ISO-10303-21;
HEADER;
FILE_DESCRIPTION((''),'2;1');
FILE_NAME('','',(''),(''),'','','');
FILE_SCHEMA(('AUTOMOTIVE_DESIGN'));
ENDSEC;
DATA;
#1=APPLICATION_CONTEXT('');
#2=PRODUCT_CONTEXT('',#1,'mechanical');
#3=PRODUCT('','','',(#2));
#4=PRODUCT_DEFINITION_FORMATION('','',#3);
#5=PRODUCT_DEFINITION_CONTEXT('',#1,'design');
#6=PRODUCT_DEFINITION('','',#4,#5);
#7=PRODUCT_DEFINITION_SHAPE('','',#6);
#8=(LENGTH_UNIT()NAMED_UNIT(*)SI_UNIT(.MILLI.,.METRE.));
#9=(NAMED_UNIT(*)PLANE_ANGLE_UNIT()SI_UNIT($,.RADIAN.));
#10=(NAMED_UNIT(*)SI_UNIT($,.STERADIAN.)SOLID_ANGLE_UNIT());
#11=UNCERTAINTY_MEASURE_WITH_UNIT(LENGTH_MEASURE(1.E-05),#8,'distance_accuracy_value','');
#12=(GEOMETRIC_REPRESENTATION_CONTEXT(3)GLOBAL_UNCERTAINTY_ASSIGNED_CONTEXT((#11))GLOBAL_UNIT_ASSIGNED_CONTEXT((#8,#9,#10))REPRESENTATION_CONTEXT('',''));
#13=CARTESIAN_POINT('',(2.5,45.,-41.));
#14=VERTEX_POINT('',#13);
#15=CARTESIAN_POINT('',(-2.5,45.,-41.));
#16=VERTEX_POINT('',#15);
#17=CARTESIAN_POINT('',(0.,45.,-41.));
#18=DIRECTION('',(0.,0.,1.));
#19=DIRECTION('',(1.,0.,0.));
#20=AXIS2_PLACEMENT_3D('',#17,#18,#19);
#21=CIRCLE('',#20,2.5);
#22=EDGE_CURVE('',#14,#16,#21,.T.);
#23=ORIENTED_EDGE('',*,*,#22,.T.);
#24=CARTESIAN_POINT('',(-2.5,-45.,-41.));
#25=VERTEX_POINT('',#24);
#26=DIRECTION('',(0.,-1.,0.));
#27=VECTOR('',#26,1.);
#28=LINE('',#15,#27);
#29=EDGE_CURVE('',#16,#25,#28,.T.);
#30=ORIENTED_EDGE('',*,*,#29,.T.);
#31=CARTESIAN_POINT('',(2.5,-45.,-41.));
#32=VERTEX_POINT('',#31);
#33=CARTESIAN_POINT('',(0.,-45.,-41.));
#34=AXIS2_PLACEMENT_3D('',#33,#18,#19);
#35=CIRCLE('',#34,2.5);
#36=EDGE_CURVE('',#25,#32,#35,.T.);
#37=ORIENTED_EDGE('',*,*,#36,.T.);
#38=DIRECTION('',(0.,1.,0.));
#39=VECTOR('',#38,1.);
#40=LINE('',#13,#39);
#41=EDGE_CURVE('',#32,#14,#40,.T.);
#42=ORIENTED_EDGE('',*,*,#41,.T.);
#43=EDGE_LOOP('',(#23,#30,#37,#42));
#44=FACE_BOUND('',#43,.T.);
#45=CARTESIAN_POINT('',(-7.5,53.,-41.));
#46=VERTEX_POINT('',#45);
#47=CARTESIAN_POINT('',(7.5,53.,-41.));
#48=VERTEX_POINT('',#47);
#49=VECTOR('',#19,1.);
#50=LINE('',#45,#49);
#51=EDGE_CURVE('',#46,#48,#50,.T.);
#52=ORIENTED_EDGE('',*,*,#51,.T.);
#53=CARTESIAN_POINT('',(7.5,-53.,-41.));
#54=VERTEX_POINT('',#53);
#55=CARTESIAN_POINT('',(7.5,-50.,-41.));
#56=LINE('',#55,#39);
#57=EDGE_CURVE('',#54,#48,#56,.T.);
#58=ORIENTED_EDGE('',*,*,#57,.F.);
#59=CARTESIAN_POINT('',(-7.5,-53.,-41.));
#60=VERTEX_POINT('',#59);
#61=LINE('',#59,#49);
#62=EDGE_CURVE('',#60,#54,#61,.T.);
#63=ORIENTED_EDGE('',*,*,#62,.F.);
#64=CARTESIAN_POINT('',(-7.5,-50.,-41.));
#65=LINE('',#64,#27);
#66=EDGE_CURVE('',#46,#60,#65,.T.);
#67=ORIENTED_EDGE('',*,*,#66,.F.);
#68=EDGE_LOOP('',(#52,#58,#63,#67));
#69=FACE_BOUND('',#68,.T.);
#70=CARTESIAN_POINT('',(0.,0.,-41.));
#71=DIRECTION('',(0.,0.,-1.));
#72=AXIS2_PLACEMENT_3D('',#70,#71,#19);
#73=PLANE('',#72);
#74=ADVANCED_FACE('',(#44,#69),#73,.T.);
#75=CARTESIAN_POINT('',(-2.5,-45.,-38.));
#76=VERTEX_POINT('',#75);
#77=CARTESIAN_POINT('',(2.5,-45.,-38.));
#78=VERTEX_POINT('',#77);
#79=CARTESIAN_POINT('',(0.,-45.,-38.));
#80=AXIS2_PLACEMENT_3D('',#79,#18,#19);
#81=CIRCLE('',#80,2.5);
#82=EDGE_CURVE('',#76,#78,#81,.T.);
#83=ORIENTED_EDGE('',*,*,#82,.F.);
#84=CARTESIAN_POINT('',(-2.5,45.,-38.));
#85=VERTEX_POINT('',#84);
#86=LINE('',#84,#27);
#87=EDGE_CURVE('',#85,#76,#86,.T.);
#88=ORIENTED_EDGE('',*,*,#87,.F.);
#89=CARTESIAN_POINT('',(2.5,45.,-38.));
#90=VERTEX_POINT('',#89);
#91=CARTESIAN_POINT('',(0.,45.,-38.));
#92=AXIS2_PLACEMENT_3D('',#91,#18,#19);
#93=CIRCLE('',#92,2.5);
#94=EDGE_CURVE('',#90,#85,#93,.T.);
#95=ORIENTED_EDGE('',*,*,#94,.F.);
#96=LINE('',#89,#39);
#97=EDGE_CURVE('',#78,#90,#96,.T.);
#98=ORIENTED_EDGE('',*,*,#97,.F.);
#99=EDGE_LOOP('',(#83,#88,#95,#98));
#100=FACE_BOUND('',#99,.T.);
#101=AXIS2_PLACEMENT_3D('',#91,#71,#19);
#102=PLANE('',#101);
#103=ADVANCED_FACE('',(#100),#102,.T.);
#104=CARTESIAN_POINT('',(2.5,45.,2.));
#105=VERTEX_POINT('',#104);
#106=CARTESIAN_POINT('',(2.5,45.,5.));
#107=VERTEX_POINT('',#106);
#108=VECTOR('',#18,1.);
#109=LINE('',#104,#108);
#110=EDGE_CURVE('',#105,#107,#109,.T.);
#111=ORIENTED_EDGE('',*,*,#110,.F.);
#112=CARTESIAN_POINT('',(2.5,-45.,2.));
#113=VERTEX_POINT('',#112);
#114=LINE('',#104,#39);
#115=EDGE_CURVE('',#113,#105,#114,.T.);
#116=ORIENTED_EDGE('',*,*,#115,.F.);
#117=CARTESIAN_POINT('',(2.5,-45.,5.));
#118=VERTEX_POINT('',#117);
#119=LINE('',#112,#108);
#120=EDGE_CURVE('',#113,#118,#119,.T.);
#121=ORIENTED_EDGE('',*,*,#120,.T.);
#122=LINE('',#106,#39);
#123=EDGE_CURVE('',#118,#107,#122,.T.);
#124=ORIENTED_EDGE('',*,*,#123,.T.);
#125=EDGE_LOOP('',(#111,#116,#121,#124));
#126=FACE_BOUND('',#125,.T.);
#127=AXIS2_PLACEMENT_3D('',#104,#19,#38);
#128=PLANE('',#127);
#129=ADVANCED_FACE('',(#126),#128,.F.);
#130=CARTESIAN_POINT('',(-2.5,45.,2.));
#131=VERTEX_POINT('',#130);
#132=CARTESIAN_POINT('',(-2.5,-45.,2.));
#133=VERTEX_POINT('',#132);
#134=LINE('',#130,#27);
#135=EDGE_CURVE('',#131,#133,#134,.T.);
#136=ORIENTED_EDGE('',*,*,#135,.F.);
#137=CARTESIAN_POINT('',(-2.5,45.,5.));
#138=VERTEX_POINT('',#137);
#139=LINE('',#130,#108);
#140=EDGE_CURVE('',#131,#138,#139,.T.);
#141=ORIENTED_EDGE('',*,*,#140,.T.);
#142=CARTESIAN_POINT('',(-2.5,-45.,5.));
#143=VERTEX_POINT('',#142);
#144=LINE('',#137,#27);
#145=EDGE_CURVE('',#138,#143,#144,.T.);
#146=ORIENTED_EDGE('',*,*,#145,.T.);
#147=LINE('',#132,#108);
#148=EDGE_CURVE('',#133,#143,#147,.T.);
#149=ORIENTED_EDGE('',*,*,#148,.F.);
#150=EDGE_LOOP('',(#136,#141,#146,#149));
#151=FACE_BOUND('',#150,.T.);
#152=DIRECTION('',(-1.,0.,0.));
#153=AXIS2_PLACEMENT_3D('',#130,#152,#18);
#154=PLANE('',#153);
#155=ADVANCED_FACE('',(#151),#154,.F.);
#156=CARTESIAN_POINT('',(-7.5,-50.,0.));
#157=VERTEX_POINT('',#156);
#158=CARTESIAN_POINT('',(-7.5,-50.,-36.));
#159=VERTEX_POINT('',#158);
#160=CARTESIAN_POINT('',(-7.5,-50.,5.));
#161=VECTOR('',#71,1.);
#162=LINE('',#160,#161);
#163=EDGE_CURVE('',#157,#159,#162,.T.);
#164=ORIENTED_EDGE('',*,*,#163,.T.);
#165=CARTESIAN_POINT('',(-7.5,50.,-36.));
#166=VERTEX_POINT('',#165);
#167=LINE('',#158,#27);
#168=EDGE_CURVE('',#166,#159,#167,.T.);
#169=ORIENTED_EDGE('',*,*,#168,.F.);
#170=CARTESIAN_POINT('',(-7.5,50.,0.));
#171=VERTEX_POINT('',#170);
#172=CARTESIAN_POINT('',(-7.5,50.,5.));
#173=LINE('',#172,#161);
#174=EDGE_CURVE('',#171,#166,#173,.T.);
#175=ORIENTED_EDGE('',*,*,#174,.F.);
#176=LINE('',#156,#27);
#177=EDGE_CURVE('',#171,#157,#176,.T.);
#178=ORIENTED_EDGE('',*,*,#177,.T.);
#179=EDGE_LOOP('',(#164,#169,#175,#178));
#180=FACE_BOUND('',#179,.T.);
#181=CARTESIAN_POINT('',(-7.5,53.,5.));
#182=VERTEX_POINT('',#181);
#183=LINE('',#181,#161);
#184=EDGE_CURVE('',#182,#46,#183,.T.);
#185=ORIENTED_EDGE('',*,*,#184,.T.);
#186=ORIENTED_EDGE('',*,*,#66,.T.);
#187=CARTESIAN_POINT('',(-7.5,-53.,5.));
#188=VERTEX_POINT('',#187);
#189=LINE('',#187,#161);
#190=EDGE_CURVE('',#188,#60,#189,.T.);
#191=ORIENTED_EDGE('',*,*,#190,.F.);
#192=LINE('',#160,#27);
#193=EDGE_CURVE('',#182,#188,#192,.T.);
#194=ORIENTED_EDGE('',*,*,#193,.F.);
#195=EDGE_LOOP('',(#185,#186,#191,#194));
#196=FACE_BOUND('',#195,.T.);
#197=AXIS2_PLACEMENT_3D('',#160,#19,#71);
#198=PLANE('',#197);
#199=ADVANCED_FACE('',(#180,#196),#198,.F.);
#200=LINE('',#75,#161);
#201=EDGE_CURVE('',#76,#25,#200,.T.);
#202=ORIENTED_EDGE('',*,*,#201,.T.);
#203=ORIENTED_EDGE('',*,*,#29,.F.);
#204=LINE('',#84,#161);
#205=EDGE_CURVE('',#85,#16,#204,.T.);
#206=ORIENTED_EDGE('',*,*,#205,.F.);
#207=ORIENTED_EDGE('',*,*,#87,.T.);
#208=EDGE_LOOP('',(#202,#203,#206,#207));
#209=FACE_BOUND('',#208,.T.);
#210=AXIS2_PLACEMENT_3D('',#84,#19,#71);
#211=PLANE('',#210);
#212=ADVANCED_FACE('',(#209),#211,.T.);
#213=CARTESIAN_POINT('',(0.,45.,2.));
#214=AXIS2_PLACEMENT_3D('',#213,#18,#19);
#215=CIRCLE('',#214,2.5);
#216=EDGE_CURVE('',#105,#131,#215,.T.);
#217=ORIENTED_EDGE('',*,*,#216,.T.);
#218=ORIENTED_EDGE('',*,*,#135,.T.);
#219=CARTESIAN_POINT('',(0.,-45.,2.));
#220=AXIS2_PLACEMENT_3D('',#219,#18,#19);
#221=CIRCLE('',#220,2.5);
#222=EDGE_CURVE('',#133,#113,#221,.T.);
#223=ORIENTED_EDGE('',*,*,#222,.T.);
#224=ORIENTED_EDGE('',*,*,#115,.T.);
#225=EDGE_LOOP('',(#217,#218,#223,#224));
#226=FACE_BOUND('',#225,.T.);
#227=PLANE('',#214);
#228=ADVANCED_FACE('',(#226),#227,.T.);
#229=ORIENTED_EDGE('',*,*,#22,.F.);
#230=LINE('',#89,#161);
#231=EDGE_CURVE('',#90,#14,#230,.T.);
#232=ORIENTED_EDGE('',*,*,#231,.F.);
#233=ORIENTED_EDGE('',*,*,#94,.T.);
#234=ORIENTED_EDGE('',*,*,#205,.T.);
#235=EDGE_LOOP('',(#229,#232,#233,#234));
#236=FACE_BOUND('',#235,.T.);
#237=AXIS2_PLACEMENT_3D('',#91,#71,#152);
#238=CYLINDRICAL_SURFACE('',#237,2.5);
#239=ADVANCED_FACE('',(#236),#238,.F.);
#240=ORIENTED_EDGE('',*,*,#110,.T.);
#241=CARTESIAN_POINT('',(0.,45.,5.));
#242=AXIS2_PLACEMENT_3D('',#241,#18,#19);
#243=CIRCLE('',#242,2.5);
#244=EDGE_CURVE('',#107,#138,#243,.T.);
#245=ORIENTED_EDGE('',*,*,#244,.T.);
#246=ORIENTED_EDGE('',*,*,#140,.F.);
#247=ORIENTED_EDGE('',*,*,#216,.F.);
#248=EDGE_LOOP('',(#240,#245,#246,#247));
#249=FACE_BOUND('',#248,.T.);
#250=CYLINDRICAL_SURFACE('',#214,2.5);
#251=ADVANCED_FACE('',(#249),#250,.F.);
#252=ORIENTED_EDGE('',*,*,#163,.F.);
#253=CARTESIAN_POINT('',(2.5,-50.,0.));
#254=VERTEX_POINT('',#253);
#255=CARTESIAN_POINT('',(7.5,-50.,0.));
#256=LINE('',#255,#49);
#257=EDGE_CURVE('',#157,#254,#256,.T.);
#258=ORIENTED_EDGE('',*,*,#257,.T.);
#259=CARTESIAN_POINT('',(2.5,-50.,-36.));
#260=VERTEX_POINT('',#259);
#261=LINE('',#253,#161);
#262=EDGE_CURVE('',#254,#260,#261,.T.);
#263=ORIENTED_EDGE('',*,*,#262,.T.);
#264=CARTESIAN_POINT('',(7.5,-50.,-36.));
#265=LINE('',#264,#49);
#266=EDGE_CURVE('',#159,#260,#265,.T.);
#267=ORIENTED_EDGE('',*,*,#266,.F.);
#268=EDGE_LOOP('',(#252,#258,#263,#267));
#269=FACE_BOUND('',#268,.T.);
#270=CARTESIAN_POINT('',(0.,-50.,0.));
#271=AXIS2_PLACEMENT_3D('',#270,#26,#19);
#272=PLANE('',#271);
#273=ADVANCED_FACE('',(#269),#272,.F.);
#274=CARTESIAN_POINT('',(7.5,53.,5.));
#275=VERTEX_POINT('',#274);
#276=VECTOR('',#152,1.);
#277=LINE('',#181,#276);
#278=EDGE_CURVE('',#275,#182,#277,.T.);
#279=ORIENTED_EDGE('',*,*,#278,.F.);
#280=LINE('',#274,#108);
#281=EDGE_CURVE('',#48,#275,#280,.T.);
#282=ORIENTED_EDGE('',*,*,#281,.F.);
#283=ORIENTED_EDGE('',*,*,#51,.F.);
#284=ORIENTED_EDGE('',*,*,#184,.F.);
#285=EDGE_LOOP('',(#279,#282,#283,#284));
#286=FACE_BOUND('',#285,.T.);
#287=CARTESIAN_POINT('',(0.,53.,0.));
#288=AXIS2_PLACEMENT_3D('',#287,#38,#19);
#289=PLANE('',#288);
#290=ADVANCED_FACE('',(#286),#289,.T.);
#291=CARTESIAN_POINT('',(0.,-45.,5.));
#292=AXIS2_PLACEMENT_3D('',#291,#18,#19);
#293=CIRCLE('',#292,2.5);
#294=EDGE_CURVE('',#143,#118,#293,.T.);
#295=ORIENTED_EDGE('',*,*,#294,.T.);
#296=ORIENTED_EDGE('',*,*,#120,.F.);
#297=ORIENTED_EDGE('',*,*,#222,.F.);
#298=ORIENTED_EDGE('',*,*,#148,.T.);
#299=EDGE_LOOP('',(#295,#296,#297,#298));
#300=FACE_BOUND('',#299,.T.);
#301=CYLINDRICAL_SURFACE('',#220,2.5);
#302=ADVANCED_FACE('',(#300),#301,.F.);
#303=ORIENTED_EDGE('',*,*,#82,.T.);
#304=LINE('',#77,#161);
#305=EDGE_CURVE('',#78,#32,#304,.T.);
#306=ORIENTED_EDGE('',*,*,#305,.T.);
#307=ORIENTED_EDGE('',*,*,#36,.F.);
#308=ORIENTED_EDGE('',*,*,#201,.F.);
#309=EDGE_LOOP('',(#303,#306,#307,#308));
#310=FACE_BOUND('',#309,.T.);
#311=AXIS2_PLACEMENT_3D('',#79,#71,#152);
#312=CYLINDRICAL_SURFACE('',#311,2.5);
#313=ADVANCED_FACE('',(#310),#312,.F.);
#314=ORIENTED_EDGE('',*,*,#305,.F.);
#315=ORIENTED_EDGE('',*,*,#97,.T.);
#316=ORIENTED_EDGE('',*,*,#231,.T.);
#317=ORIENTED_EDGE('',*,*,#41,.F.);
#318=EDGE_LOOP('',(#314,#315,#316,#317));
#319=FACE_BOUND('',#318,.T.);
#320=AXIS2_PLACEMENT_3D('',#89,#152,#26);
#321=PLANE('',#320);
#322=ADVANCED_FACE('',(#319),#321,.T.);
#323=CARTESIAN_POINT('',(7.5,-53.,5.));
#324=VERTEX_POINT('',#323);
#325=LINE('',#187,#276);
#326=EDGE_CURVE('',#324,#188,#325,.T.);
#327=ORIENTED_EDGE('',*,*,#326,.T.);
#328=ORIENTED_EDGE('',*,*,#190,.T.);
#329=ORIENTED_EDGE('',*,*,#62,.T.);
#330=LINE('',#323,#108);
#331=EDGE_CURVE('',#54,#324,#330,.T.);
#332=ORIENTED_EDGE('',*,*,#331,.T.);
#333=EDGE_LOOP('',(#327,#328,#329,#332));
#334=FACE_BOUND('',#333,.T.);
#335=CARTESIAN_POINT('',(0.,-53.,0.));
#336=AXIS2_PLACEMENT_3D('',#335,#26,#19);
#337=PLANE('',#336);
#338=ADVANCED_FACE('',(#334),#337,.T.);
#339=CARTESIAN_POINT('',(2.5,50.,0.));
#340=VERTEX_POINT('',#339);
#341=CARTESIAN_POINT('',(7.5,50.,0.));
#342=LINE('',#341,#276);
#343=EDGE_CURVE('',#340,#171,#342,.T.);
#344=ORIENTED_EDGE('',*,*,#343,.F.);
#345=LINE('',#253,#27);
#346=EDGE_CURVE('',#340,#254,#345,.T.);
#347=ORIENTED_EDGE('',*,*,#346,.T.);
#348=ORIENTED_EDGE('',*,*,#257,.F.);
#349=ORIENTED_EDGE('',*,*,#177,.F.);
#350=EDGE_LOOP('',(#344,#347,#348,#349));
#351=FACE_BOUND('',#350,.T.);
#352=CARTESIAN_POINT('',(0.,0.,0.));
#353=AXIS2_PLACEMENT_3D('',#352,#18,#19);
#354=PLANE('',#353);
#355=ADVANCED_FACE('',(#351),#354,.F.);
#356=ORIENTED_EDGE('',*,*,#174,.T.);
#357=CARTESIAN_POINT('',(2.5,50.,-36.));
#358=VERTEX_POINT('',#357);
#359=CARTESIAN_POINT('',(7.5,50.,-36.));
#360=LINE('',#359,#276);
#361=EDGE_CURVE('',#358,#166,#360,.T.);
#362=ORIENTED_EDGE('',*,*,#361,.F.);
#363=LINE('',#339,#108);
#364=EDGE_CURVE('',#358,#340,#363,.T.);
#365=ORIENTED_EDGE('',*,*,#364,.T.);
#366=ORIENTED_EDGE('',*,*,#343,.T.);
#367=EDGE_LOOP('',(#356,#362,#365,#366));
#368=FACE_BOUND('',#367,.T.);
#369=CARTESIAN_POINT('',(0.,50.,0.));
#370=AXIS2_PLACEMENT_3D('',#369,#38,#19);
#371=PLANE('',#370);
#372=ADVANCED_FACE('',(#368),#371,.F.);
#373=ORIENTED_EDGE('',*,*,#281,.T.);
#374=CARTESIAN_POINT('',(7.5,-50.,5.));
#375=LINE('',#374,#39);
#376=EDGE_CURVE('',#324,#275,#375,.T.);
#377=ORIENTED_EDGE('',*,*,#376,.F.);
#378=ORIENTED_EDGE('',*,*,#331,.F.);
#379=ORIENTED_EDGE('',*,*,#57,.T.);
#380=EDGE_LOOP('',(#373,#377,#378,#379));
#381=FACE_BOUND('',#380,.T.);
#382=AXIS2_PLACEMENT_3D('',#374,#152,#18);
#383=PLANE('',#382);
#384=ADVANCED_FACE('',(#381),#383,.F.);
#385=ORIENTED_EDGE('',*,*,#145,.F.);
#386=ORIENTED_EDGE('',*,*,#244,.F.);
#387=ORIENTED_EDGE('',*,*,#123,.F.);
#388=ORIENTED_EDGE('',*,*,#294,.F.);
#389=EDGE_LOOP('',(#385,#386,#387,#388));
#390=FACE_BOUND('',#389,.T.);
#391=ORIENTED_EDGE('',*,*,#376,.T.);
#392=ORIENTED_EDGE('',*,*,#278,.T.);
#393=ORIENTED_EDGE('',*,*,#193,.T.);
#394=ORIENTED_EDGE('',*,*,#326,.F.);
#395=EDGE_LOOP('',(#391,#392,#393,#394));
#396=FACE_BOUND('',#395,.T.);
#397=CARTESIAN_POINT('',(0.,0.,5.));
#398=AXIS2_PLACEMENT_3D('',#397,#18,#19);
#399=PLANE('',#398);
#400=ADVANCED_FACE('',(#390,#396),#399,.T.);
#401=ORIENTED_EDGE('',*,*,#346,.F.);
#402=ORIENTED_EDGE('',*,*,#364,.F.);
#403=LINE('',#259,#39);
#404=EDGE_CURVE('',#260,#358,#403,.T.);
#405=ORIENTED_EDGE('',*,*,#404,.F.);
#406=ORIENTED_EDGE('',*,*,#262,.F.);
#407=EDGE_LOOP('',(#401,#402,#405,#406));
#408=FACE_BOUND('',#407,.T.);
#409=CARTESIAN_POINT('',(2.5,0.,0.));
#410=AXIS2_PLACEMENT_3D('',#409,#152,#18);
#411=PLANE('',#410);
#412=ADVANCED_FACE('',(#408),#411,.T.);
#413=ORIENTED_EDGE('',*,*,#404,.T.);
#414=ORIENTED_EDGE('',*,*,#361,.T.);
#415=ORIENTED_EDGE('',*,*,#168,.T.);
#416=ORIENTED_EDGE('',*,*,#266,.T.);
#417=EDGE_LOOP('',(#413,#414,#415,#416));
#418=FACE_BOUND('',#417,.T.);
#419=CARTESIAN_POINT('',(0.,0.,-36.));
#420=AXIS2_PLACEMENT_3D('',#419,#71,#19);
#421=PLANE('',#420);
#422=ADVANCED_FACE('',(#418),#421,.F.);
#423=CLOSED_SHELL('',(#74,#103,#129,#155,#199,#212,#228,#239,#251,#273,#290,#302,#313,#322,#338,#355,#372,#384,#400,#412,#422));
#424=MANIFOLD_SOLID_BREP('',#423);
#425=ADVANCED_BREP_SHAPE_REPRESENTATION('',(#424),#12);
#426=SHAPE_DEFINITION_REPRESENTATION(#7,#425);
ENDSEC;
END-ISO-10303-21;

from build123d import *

# Parameters (mm, degrees)
SKETCH4_W           = 15
SKETCH4_H           = 100
BOSS_EXTRUDE1_DEPTH = 5
SKETCH5_W           = 36
SKETCH5_H           = 100
BOSS_EXTRUDE2_DEPTH = 5
CUT_EXTRUDE1_DEPTH  = 3
SKETCH7_W           = 15
SKETCH7_H           = 46
BOSS_EXTRUDE3_DEPTH = 3


with BuildPart() as part:
    # Sketch4 → Boss-Extrude1 (new body)
    with BuildSketch(Plane.XY):
        Rectangle(SKETCH4_W, SKETCH4_H)
    boss_extrude1 = extrude(amount=BOSS_EXTRUDE1_DEPTH)

    # Sketch5 → Boss-Extrude2 (add)
    with BuildSketch(Plane(origin=(7.5, 0, 0), x_dir=(0, 0, -1), z_dir=(1, 0, 0))):
        with Locations((18, 0)):
            Rectangle(SKETCH5_W, SKETCH5_H)
    extrude(amount=-BOSS_EXTRUDE2_DEPTH)

    # Mirror1: Boss-Extrude1 across plane
    add(boss_extrude1.mirror(Plane.XY.offset(-18)))

    # Sketch6 → Cut-Extrude1 (cut)
    with BuildSketch(Plane.XY.offset(5)):
        with BuildLine():
            Line((2.5, 45), (2.5, -45))
            ThreePointArc((2.5, -45), (0, -47.5), (-2.5, -45))
            Line((-2.5, -45), (-2.5, 45))
            ThreePointArc((-2.5, 45), (0, 47.5), (2.5, 45))
        make_face()
    cut_extrude1 = extrude(amount=-CUT_EXTRUDE1_DEPTH, mode=Mode.SUBTRACT)

    # Mirror2: Cut-Extrude1 across plane
    add(cut_extrude1.mirror(Plane.XY.offset(-18)), mode=Mode.SUBTRACT)

    # Sketch7 → Boss-Extrude3 (add)
    with BuildSketch(Plane.XZ.offset(50)):
        with Locations((0, -18)):
            Rectangle(SKETCH7_W, SKETCH7_H)
    boss_extrude3 = extrude(amount=BOSS_EXTRUDE3_DEPTH)

    # Mirror3: Boss-Extrude3 across plane
    add(boss_extrude3.mirror(Plane.ZX))


solid = part.part
